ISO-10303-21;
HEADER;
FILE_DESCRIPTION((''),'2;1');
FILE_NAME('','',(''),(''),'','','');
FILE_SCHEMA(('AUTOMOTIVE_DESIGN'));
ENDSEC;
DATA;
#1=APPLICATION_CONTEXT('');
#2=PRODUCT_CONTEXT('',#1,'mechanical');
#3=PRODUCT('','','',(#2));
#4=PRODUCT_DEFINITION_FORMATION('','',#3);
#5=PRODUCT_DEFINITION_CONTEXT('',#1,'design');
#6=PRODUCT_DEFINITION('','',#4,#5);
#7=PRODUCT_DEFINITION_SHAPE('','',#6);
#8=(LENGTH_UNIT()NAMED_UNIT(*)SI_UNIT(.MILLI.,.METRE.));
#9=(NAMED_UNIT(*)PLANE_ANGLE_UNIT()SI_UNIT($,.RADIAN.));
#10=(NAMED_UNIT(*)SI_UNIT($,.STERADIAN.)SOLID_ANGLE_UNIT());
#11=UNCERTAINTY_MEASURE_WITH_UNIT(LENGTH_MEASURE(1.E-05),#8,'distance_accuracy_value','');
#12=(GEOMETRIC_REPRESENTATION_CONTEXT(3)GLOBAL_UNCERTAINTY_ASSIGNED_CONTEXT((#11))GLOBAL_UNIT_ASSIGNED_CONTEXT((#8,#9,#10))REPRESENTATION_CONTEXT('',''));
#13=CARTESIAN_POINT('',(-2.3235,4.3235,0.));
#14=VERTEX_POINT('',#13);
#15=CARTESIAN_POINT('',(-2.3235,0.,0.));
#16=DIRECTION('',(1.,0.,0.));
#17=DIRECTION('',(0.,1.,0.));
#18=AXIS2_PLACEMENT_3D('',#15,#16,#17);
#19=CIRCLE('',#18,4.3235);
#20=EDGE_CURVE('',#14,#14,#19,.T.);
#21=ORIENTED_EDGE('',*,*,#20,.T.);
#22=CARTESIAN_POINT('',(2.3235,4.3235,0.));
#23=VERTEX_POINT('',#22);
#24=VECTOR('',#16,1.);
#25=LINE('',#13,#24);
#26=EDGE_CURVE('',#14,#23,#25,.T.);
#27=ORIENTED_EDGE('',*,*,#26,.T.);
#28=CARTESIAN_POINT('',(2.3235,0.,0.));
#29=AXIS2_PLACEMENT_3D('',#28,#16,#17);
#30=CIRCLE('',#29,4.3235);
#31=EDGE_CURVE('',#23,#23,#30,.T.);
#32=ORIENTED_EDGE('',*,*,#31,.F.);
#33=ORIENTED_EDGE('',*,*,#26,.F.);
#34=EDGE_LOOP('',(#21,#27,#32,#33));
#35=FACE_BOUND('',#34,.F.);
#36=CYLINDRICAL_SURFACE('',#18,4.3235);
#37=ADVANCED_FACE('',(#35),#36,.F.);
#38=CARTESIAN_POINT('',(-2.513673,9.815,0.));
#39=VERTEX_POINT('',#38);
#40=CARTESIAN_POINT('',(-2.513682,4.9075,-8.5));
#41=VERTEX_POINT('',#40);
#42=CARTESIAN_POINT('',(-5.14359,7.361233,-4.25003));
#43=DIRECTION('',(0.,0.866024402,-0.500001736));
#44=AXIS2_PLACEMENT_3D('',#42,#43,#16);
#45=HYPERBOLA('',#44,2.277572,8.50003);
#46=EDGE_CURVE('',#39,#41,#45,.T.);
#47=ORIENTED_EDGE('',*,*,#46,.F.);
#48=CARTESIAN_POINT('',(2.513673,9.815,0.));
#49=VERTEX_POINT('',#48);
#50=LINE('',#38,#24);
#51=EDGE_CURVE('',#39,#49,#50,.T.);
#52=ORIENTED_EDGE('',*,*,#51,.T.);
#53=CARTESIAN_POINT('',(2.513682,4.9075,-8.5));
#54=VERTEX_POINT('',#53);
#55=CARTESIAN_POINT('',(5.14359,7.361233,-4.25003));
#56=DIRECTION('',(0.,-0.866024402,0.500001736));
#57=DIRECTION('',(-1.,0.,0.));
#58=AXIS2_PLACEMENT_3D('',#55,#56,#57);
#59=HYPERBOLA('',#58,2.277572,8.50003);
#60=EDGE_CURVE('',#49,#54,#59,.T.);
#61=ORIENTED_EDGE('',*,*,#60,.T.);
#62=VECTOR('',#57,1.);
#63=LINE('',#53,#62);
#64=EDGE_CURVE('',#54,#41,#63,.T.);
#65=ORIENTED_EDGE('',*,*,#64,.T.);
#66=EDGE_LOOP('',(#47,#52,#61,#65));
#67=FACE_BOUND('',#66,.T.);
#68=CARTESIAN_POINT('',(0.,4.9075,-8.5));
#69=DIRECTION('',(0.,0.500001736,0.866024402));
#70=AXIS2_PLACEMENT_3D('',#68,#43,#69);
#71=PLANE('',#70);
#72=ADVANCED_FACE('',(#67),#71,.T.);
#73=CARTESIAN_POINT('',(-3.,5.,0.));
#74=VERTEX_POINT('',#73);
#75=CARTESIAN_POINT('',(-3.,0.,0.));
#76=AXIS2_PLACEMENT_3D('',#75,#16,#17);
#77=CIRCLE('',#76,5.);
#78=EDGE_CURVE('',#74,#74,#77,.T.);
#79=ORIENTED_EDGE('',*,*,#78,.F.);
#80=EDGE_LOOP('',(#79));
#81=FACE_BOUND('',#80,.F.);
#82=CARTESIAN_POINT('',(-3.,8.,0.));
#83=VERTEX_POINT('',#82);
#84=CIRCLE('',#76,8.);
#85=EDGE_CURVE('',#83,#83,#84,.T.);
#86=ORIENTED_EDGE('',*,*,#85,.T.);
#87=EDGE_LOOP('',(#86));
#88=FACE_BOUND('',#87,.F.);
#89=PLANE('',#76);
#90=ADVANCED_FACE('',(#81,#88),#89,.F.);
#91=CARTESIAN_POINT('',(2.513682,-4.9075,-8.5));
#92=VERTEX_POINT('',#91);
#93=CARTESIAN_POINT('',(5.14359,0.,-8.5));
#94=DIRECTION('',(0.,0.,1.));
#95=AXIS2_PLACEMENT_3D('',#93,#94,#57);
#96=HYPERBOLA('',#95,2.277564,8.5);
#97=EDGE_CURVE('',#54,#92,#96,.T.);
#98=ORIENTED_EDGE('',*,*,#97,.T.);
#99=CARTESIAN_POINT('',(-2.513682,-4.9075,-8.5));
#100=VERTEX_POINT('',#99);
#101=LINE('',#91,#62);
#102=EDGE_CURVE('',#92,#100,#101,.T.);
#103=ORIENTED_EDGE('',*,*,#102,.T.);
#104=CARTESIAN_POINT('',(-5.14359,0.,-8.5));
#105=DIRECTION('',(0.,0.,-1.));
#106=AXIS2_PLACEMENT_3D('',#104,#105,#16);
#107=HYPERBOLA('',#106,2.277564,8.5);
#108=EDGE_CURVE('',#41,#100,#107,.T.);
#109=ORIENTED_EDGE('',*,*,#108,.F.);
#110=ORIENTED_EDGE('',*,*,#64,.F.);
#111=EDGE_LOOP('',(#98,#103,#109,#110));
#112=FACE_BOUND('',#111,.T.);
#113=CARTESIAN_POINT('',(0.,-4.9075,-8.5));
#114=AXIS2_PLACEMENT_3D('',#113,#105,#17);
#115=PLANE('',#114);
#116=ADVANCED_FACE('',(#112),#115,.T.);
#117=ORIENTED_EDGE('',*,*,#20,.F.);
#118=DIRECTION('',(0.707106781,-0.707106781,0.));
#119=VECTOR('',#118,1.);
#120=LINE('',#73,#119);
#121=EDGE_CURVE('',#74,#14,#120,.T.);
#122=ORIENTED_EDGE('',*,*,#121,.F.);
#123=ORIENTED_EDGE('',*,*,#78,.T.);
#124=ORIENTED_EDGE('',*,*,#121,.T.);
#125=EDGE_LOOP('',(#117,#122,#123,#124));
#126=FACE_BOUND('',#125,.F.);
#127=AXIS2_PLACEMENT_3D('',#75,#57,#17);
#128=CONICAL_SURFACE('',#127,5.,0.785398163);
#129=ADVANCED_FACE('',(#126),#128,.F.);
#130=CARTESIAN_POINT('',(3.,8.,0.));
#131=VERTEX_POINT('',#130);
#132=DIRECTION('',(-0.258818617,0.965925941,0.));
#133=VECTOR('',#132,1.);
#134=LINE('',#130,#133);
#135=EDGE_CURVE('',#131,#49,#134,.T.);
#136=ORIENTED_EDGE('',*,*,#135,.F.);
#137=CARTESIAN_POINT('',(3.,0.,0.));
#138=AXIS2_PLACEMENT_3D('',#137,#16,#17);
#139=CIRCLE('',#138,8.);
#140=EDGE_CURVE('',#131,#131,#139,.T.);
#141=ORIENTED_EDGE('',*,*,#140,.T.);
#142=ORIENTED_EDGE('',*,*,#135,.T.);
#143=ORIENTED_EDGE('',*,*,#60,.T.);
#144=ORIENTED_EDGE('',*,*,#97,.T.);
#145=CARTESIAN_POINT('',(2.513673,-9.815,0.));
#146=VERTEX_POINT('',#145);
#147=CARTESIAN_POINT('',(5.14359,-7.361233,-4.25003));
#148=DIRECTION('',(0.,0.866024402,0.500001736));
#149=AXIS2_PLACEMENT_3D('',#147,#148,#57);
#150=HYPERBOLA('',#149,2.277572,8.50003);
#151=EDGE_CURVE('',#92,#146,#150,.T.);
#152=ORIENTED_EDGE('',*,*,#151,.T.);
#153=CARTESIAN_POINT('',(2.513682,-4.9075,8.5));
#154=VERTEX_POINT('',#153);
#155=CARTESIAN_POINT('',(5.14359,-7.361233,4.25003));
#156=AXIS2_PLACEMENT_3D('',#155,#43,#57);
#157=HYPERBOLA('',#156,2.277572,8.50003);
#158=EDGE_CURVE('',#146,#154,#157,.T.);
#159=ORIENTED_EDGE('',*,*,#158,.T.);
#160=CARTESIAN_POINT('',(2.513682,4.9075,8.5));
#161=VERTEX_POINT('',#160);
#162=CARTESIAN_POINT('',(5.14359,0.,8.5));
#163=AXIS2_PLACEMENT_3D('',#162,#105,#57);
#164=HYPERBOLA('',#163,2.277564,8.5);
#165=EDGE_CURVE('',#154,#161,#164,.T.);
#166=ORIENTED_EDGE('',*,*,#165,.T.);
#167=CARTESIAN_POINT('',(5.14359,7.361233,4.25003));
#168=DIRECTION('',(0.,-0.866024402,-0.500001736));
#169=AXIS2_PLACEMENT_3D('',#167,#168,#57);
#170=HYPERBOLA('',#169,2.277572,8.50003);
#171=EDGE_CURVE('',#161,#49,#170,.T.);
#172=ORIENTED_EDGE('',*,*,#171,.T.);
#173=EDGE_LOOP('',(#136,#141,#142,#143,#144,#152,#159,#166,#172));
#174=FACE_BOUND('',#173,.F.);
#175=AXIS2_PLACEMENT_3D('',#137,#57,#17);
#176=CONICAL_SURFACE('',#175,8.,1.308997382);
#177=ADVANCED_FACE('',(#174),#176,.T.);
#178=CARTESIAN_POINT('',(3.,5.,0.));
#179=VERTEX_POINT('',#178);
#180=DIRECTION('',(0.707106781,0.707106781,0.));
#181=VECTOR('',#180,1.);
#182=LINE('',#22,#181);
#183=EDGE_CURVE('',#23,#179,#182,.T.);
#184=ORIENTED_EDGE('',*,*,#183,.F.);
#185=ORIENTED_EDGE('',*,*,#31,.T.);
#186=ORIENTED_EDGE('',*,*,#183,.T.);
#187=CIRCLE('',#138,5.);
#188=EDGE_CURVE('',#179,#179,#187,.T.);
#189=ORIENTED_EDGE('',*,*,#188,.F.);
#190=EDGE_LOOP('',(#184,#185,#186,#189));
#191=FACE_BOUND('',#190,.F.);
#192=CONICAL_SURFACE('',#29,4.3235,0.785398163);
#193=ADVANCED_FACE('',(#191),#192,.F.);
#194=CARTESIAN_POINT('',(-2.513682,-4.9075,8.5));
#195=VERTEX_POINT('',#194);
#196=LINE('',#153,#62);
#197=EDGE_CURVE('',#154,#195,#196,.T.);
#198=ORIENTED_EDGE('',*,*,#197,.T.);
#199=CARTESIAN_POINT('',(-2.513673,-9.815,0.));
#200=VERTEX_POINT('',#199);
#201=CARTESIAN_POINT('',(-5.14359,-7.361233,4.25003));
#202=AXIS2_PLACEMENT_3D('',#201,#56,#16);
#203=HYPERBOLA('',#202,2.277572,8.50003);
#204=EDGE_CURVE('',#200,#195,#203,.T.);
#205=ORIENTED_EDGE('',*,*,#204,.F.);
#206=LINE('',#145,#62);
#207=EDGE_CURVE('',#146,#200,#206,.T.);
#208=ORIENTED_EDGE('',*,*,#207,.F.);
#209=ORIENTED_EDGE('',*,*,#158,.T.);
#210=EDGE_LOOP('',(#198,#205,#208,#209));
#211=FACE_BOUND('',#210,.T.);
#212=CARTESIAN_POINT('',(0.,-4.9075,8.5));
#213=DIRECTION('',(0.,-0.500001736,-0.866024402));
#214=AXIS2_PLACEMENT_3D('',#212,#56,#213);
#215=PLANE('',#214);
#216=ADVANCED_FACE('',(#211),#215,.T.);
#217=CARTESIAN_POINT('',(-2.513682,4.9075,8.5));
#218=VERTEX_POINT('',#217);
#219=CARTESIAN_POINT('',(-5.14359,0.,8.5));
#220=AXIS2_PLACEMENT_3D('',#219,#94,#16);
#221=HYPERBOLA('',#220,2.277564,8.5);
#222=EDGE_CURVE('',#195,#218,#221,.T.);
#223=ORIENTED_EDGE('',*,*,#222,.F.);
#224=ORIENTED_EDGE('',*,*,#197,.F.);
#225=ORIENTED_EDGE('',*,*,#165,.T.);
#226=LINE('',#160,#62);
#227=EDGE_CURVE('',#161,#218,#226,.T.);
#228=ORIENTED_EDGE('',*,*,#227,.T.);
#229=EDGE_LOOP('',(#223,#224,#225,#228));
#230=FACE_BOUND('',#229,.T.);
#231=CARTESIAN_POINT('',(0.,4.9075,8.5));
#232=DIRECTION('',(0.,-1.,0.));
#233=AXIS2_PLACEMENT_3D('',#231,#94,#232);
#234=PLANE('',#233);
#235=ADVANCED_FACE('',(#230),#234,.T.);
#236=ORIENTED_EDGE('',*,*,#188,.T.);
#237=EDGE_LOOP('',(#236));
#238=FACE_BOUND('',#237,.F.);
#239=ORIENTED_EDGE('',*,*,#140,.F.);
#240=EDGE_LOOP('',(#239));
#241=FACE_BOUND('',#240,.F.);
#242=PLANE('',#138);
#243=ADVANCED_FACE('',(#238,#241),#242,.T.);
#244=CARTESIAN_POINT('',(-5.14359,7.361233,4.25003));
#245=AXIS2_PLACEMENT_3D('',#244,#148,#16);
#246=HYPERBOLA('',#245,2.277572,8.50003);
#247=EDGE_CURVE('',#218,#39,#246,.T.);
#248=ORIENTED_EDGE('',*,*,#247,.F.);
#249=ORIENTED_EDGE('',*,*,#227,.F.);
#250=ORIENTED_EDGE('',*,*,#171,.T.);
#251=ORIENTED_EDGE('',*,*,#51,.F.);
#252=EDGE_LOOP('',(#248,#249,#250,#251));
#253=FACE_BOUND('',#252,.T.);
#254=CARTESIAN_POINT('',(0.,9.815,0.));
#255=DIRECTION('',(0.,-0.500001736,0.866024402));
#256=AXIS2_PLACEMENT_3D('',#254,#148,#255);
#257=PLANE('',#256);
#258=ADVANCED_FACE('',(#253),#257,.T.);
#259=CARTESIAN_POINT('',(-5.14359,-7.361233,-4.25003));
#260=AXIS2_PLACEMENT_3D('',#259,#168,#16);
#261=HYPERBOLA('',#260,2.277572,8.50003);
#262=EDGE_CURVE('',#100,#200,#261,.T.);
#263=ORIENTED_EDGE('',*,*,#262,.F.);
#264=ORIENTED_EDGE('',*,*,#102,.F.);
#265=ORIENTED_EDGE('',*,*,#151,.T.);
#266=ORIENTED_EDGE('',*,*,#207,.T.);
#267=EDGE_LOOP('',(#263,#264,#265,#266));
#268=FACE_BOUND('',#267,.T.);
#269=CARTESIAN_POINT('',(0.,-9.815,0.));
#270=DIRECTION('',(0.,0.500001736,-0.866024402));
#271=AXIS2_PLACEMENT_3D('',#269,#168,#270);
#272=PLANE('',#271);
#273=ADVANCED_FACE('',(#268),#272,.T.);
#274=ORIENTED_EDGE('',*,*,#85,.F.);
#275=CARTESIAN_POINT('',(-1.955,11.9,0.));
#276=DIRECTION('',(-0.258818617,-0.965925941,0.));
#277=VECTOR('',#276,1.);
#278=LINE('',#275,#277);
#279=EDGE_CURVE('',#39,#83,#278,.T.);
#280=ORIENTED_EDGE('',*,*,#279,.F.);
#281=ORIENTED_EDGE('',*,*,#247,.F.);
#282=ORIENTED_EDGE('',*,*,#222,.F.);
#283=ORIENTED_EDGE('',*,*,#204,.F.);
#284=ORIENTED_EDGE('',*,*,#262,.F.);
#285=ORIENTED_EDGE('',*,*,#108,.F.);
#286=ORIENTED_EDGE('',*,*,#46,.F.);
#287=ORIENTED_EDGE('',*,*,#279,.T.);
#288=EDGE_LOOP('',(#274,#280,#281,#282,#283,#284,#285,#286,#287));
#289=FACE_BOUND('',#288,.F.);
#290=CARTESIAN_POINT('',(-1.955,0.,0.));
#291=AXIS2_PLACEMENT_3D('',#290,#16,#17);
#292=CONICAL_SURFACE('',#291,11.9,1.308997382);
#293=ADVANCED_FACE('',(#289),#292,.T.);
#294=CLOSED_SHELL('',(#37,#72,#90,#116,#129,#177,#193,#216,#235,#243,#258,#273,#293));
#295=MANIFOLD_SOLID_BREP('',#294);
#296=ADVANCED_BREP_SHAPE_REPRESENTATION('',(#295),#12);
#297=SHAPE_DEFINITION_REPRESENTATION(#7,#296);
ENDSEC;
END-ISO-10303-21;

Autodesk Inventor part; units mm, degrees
sketch "Sketch_2" plane through (0, 0, 0) normal (0, 0, 1) x (1, 0, 0)
  line L0 (3, 0) -> (-3, 0)
  line L1 (-3, 8) -> (-3, 5)
  line L2 (-3, 5) -> (-2.3235, 4.3235)
  line L3 (-2.3235, 4.3235) -> (2.3235, 4.3235)
  line L4 (2.3235, 4.3235) -> (3, 5)
  line L5 (3, 5) -> (3, 8)
  line L6 (3, 8) -> (1.955, 11.9)
  line L7 (1.955, 11.9) -> (-1.955, 11.9)
  line L8 (-1.955, 11.9) -> (-3, 8)
revolve "Revolution1" add sketch "Sketch_2" angle 360 about axis through (3, 0, 0) along (1, 0, 0)
thread "Thread1" size "M10x1.25" class "6H" standard "ISO Metric profile" full length
sketch "Sketch_3" plane through (0, 0, 0) normal (1, 0, 0) x (0, 1, 0)
  circle A0 centre (0, 0) radius 17
  line L0 (-4.9075, 8.5) -> (-9.815, 0)
  line L1 (-9.815, 0) -> (-4.9075, -8.5)
  line L2 (-4.9075, -8.5) -> (4.9075, -8.5)
  line L3 (4.9075, -8.5) -> (9.815, 0)
  line L4 (9.815, 0) -> (4.9075, 8.5)
  line L5 (4.9075, 8.5) -> (-4.9075, 8.5)
extrude "Extrusion1" cut sketch "Sketch_3" along normal mid plane 6
ref_plane "NUT_ROD_XY" through (0, 0, 0) normal (1, 0, 0) x (0, 0, -1)
ref_plane "NUT_ROD_YZ" through (0, 0, 0) normal (0, 0, -1) x (0, 1, 0)
ref_plane "NUT_ROD_ZX" through (0, 0, 0) normal (0, 1, 0) x (1, 0, 0)
properties part number "C96S32_NUT"
